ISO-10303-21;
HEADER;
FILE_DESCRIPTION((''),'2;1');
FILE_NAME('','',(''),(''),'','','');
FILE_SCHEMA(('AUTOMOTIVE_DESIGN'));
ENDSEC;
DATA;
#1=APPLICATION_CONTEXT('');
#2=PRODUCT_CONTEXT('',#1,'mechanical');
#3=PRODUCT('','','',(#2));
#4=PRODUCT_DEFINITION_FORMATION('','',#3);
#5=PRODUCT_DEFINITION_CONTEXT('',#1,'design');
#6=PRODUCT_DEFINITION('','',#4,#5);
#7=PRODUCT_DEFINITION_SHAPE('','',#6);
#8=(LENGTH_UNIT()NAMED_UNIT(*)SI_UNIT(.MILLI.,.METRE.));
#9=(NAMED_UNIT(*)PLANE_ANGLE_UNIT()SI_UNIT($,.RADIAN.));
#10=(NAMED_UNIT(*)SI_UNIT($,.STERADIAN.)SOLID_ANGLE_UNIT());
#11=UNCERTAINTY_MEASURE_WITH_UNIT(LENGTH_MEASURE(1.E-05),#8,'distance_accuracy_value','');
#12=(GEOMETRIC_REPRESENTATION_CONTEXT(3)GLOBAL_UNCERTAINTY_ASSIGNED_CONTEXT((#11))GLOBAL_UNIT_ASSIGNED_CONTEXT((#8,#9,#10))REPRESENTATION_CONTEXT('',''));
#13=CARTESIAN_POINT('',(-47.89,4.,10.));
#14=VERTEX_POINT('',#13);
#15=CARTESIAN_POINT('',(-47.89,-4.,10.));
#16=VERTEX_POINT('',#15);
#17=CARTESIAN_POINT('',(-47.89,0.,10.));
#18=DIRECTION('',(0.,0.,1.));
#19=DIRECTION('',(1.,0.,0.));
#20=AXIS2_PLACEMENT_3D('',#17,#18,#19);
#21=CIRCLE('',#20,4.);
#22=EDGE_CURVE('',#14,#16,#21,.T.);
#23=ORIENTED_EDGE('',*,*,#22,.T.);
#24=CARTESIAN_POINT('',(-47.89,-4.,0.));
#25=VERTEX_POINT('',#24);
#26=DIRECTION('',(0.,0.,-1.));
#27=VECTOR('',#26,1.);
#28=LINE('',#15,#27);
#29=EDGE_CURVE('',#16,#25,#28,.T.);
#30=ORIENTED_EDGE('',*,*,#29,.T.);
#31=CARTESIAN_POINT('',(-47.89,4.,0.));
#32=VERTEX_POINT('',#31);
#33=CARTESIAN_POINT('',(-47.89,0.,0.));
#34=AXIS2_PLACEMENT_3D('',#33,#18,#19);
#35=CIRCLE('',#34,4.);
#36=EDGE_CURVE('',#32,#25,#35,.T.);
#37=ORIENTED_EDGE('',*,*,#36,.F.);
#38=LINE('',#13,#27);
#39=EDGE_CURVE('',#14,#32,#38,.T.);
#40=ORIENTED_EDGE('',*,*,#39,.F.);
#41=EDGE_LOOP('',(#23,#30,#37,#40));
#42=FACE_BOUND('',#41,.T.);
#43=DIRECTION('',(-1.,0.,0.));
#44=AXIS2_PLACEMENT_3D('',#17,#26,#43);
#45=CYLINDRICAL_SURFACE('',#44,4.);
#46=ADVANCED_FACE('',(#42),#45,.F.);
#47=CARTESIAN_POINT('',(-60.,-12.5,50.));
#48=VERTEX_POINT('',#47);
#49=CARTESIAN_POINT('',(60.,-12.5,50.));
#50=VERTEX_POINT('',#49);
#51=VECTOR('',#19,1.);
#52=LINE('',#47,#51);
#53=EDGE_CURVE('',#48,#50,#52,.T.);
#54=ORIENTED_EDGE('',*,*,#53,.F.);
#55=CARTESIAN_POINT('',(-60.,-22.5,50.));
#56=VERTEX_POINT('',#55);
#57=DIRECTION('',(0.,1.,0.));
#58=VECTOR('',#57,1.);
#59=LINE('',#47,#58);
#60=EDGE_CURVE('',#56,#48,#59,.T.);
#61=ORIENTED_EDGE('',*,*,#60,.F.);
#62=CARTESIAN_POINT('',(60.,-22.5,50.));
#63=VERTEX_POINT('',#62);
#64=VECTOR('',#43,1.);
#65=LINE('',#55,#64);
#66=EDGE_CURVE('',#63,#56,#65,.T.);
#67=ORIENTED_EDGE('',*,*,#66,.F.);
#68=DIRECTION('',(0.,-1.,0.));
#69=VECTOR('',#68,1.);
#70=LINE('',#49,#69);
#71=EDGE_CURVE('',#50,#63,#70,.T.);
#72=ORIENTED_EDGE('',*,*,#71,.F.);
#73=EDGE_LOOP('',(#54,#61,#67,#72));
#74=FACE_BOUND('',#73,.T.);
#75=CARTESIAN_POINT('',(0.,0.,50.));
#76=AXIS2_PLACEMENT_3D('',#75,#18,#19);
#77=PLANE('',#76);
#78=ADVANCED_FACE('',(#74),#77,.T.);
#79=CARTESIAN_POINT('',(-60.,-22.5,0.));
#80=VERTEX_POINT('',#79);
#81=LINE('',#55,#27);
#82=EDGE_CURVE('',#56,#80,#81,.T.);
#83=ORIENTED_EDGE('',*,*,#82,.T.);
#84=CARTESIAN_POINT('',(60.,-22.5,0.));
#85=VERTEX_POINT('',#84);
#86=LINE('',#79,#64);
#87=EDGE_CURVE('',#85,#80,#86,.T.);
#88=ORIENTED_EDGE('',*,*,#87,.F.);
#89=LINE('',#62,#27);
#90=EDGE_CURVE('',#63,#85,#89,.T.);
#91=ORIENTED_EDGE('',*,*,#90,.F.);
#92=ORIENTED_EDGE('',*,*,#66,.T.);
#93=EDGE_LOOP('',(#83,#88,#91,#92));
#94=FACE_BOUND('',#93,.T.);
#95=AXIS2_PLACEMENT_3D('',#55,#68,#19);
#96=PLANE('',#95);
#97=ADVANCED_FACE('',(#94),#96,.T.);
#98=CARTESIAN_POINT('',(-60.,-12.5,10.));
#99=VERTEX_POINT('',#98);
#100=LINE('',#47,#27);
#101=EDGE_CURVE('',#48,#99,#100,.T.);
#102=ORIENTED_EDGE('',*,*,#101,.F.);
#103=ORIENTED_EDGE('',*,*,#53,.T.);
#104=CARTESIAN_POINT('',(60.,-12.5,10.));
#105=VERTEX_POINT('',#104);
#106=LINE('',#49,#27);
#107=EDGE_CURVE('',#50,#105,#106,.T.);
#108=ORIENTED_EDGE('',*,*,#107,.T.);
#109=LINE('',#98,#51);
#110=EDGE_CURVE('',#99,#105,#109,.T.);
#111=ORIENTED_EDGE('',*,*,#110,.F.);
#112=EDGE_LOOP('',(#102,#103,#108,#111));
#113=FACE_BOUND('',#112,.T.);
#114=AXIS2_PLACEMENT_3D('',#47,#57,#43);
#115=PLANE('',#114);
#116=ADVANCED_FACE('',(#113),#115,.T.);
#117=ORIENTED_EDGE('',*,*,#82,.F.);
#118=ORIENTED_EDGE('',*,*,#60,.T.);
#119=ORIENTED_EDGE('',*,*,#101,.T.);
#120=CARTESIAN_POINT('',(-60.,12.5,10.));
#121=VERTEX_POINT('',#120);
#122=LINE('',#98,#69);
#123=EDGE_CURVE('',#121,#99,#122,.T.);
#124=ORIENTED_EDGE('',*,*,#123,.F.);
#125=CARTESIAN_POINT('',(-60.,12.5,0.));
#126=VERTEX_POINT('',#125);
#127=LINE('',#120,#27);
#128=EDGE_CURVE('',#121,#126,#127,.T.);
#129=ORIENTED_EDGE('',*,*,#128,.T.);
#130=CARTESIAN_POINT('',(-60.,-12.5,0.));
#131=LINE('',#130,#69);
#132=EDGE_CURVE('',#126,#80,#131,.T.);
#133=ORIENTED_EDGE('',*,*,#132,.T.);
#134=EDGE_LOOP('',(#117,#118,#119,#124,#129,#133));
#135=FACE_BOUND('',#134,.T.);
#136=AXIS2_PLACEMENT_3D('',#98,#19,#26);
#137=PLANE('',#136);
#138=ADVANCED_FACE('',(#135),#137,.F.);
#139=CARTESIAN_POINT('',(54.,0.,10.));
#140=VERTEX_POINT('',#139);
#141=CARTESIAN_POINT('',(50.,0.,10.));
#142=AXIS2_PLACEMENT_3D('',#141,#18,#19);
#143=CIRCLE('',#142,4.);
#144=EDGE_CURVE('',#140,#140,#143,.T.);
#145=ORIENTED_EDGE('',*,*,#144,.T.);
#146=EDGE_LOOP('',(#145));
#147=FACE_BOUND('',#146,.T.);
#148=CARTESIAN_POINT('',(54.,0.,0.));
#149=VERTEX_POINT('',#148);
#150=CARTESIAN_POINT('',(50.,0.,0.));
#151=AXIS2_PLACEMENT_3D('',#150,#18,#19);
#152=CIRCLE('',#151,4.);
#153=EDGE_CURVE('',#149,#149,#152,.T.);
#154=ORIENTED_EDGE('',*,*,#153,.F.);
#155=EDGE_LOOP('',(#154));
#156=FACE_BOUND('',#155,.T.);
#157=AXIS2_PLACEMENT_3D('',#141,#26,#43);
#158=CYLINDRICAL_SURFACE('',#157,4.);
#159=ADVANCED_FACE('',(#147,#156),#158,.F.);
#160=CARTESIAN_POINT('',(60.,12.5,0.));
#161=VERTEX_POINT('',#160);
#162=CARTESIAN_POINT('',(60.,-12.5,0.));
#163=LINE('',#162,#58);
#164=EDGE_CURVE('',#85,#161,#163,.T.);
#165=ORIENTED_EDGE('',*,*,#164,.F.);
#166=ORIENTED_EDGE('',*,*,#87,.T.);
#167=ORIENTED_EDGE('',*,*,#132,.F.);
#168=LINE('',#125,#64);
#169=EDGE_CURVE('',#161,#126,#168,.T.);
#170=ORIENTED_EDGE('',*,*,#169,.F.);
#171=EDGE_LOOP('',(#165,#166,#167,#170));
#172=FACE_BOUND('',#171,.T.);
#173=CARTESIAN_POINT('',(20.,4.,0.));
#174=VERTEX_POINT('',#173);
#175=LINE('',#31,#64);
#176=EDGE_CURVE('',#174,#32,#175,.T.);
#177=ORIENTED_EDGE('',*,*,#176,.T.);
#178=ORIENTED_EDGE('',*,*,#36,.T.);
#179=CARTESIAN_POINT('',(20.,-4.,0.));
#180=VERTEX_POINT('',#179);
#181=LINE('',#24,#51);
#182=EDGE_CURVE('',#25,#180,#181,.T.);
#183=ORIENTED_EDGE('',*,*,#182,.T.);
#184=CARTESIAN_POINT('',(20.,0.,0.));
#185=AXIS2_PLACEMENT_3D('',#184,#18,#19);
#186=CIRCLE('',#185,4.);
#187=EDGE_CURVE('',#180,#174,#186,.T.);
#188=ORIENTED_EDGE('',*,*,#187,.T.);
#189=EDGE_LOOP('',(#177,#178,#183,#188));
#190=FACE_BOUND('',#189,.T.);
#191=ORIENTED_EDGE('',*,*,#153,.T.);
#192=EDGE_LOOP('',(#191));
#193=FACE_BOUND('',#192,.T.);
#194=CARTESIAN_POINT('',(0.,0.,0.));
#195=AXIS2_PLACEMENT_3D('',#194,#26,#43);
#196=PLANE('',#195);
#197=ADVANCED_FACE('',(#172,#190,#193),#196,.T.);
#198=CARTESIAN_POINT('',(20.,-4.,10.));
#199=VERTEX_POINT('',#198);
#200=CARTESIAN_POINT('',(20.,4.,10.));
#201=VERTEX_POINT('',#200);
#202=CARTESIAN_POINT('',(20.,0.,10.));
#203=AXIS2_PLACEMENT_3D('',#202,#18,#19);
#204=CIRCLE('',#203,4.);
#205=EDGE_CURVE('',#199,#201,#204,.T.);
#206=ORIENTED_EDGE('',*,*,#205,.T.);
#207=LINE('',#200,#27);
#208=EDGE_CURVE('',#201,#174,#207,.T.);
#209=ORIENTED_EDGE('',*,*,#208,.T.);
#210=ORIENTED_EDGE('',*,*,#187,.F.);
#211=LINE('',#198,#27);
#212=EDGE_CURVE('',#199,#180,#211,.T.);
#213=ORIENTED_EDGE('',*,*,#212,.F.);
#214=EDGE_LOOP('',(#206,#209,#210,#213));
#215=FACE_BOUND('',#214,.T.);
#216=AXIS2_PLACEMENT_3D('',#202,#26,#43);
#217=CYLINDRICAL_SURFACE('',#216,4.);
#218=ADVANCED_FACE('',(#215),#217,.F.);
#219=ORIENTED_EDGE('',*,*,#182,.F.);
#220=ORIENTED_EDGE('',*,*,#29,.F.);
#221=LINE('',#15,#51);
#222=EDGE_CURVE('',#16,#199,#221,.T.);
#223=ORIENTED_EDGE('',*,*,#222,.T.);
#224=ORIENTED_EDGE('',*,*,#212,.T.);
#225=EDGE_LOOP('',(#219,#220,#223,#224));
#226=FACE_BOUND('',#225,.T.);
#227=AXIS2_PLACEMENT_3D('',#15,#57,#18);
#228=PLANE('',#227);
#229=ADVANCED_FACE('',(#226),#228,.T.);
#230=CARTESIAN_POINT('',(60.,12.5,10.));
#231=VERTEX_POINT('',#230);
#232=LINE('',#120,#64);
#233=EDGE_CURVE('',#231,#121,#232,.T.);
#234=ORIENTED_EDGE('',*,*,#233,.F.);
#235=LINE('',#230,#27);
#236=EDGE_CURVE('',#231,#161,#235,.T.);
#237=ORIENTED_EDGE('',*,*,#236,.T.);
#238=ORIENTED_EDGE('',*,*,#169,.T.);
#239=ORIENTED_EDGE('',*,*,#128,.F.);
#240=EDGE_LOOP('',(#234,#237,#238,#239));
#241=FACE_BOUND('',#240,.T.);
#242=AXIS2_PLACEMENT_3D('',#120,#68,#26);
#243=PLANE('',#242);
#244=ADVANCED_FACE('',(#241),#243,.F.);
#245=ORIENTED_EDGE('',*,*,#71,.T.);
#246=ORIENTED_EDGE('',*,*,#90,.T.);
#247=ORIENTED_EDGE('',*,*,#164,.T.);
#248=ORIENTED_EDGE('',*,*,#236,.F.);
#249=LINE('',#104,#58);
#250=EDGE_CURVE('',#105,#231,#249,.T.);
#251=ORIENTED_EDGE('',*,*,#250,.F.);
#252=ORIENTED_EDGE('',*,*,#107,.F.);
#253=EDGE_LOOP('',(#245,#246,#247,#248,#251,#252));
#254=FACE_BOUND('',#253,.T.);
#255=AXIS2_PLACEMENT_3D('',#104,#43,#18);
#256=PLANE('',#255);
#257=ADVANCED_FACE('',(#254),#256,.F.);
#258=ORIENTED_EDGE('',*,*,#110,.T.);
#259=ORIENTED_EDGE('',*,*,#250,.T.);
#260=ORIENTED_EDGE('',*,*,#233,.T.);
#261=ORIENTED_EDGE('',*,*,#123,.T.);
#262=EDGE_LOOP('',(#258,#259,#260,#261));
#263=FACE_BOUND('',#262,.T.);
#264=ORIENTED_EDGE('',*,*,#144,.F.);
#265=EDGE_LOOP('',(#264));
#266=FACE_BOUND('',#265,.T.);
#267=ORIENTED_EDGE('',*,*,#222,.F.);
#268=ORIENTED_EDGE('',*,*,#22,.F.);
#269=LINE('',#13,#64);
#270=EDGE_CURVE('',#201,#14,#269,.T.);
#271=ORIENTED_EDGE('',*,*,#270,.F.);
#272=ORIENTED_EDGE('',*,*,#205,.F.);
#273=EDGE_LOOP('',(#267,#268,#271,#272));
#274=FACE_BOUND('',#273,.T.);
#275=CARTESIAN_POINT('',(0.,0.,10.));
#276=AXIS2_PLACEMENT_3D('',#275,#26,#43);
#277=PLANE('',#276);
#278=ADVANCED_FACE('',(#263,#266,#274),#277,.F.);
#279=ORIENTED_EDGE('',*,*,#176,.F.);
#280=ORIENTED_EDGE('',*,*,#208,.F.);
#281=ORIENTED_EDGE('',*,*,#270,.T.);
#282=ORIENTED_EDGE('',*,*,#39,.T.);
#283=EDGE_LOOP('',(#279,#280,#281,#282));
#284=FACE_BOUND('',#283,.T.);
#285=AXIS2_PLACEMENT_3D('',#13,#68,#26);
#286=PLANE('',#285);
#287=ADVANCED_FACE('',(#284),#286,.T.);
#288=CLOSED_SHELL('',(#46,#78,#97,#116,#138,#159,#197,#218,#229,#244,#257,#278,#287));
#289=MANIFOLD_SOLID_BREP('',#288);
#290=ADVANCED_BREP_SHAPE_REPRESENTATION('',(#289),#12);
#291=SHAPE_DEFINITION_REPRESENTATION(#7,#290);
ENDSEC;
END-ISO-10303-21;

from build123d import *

# Parameters (mm, degrees)
SKETCH1_W           = 120
SKETCH1_H           = 25
SKETCH1_R           = 4
BOSS_EXTRUDE1_DEPTH = 10
SKETCH2_W           = 120
SKETCH2_H           = 10
BOSS_EXTRUDE2_DEPTH = 50


with BuildPart() as part:
    # Sketch1 → Boss-Extrude1 (new body)
    with BuildSketch(Plane.XY):
        Rectangle(SKETCH1_W, SKETCH1_H)
        with Locations((50, 0)):
            Circle(SKETCH1_R, mode=Mode.SUBTRACT)
        with BuildLine():
            Line((-47.89, 4), (20, 4))
            ThreePointArc((20, 4), (24, 0), (20, -4))
            Line((20, -4), (-47.89, -4))
            ThreePointArc((-47.89, -4), (-51.89, 0), (-47.89, 4))
        make_face(mode=Mode.SUBTRACT)
    extrude(amount=BOSS_EXTRUDE1_DEPTH)

    # Sketch2 → Boss-Extrude2 (add)
    with BuildSketch(Plane(origin=(0, 0, 0), x_dir=(-1, 0, 0), z_dir=(0, 0, -1))):
        with Locations((0, -17.5)):
            Rectangle(SKETCH2_W, SKETCH2_H)
    extrude(amount=-BOSS_EXTRUDE2_DEPTH)


solid = part.part
